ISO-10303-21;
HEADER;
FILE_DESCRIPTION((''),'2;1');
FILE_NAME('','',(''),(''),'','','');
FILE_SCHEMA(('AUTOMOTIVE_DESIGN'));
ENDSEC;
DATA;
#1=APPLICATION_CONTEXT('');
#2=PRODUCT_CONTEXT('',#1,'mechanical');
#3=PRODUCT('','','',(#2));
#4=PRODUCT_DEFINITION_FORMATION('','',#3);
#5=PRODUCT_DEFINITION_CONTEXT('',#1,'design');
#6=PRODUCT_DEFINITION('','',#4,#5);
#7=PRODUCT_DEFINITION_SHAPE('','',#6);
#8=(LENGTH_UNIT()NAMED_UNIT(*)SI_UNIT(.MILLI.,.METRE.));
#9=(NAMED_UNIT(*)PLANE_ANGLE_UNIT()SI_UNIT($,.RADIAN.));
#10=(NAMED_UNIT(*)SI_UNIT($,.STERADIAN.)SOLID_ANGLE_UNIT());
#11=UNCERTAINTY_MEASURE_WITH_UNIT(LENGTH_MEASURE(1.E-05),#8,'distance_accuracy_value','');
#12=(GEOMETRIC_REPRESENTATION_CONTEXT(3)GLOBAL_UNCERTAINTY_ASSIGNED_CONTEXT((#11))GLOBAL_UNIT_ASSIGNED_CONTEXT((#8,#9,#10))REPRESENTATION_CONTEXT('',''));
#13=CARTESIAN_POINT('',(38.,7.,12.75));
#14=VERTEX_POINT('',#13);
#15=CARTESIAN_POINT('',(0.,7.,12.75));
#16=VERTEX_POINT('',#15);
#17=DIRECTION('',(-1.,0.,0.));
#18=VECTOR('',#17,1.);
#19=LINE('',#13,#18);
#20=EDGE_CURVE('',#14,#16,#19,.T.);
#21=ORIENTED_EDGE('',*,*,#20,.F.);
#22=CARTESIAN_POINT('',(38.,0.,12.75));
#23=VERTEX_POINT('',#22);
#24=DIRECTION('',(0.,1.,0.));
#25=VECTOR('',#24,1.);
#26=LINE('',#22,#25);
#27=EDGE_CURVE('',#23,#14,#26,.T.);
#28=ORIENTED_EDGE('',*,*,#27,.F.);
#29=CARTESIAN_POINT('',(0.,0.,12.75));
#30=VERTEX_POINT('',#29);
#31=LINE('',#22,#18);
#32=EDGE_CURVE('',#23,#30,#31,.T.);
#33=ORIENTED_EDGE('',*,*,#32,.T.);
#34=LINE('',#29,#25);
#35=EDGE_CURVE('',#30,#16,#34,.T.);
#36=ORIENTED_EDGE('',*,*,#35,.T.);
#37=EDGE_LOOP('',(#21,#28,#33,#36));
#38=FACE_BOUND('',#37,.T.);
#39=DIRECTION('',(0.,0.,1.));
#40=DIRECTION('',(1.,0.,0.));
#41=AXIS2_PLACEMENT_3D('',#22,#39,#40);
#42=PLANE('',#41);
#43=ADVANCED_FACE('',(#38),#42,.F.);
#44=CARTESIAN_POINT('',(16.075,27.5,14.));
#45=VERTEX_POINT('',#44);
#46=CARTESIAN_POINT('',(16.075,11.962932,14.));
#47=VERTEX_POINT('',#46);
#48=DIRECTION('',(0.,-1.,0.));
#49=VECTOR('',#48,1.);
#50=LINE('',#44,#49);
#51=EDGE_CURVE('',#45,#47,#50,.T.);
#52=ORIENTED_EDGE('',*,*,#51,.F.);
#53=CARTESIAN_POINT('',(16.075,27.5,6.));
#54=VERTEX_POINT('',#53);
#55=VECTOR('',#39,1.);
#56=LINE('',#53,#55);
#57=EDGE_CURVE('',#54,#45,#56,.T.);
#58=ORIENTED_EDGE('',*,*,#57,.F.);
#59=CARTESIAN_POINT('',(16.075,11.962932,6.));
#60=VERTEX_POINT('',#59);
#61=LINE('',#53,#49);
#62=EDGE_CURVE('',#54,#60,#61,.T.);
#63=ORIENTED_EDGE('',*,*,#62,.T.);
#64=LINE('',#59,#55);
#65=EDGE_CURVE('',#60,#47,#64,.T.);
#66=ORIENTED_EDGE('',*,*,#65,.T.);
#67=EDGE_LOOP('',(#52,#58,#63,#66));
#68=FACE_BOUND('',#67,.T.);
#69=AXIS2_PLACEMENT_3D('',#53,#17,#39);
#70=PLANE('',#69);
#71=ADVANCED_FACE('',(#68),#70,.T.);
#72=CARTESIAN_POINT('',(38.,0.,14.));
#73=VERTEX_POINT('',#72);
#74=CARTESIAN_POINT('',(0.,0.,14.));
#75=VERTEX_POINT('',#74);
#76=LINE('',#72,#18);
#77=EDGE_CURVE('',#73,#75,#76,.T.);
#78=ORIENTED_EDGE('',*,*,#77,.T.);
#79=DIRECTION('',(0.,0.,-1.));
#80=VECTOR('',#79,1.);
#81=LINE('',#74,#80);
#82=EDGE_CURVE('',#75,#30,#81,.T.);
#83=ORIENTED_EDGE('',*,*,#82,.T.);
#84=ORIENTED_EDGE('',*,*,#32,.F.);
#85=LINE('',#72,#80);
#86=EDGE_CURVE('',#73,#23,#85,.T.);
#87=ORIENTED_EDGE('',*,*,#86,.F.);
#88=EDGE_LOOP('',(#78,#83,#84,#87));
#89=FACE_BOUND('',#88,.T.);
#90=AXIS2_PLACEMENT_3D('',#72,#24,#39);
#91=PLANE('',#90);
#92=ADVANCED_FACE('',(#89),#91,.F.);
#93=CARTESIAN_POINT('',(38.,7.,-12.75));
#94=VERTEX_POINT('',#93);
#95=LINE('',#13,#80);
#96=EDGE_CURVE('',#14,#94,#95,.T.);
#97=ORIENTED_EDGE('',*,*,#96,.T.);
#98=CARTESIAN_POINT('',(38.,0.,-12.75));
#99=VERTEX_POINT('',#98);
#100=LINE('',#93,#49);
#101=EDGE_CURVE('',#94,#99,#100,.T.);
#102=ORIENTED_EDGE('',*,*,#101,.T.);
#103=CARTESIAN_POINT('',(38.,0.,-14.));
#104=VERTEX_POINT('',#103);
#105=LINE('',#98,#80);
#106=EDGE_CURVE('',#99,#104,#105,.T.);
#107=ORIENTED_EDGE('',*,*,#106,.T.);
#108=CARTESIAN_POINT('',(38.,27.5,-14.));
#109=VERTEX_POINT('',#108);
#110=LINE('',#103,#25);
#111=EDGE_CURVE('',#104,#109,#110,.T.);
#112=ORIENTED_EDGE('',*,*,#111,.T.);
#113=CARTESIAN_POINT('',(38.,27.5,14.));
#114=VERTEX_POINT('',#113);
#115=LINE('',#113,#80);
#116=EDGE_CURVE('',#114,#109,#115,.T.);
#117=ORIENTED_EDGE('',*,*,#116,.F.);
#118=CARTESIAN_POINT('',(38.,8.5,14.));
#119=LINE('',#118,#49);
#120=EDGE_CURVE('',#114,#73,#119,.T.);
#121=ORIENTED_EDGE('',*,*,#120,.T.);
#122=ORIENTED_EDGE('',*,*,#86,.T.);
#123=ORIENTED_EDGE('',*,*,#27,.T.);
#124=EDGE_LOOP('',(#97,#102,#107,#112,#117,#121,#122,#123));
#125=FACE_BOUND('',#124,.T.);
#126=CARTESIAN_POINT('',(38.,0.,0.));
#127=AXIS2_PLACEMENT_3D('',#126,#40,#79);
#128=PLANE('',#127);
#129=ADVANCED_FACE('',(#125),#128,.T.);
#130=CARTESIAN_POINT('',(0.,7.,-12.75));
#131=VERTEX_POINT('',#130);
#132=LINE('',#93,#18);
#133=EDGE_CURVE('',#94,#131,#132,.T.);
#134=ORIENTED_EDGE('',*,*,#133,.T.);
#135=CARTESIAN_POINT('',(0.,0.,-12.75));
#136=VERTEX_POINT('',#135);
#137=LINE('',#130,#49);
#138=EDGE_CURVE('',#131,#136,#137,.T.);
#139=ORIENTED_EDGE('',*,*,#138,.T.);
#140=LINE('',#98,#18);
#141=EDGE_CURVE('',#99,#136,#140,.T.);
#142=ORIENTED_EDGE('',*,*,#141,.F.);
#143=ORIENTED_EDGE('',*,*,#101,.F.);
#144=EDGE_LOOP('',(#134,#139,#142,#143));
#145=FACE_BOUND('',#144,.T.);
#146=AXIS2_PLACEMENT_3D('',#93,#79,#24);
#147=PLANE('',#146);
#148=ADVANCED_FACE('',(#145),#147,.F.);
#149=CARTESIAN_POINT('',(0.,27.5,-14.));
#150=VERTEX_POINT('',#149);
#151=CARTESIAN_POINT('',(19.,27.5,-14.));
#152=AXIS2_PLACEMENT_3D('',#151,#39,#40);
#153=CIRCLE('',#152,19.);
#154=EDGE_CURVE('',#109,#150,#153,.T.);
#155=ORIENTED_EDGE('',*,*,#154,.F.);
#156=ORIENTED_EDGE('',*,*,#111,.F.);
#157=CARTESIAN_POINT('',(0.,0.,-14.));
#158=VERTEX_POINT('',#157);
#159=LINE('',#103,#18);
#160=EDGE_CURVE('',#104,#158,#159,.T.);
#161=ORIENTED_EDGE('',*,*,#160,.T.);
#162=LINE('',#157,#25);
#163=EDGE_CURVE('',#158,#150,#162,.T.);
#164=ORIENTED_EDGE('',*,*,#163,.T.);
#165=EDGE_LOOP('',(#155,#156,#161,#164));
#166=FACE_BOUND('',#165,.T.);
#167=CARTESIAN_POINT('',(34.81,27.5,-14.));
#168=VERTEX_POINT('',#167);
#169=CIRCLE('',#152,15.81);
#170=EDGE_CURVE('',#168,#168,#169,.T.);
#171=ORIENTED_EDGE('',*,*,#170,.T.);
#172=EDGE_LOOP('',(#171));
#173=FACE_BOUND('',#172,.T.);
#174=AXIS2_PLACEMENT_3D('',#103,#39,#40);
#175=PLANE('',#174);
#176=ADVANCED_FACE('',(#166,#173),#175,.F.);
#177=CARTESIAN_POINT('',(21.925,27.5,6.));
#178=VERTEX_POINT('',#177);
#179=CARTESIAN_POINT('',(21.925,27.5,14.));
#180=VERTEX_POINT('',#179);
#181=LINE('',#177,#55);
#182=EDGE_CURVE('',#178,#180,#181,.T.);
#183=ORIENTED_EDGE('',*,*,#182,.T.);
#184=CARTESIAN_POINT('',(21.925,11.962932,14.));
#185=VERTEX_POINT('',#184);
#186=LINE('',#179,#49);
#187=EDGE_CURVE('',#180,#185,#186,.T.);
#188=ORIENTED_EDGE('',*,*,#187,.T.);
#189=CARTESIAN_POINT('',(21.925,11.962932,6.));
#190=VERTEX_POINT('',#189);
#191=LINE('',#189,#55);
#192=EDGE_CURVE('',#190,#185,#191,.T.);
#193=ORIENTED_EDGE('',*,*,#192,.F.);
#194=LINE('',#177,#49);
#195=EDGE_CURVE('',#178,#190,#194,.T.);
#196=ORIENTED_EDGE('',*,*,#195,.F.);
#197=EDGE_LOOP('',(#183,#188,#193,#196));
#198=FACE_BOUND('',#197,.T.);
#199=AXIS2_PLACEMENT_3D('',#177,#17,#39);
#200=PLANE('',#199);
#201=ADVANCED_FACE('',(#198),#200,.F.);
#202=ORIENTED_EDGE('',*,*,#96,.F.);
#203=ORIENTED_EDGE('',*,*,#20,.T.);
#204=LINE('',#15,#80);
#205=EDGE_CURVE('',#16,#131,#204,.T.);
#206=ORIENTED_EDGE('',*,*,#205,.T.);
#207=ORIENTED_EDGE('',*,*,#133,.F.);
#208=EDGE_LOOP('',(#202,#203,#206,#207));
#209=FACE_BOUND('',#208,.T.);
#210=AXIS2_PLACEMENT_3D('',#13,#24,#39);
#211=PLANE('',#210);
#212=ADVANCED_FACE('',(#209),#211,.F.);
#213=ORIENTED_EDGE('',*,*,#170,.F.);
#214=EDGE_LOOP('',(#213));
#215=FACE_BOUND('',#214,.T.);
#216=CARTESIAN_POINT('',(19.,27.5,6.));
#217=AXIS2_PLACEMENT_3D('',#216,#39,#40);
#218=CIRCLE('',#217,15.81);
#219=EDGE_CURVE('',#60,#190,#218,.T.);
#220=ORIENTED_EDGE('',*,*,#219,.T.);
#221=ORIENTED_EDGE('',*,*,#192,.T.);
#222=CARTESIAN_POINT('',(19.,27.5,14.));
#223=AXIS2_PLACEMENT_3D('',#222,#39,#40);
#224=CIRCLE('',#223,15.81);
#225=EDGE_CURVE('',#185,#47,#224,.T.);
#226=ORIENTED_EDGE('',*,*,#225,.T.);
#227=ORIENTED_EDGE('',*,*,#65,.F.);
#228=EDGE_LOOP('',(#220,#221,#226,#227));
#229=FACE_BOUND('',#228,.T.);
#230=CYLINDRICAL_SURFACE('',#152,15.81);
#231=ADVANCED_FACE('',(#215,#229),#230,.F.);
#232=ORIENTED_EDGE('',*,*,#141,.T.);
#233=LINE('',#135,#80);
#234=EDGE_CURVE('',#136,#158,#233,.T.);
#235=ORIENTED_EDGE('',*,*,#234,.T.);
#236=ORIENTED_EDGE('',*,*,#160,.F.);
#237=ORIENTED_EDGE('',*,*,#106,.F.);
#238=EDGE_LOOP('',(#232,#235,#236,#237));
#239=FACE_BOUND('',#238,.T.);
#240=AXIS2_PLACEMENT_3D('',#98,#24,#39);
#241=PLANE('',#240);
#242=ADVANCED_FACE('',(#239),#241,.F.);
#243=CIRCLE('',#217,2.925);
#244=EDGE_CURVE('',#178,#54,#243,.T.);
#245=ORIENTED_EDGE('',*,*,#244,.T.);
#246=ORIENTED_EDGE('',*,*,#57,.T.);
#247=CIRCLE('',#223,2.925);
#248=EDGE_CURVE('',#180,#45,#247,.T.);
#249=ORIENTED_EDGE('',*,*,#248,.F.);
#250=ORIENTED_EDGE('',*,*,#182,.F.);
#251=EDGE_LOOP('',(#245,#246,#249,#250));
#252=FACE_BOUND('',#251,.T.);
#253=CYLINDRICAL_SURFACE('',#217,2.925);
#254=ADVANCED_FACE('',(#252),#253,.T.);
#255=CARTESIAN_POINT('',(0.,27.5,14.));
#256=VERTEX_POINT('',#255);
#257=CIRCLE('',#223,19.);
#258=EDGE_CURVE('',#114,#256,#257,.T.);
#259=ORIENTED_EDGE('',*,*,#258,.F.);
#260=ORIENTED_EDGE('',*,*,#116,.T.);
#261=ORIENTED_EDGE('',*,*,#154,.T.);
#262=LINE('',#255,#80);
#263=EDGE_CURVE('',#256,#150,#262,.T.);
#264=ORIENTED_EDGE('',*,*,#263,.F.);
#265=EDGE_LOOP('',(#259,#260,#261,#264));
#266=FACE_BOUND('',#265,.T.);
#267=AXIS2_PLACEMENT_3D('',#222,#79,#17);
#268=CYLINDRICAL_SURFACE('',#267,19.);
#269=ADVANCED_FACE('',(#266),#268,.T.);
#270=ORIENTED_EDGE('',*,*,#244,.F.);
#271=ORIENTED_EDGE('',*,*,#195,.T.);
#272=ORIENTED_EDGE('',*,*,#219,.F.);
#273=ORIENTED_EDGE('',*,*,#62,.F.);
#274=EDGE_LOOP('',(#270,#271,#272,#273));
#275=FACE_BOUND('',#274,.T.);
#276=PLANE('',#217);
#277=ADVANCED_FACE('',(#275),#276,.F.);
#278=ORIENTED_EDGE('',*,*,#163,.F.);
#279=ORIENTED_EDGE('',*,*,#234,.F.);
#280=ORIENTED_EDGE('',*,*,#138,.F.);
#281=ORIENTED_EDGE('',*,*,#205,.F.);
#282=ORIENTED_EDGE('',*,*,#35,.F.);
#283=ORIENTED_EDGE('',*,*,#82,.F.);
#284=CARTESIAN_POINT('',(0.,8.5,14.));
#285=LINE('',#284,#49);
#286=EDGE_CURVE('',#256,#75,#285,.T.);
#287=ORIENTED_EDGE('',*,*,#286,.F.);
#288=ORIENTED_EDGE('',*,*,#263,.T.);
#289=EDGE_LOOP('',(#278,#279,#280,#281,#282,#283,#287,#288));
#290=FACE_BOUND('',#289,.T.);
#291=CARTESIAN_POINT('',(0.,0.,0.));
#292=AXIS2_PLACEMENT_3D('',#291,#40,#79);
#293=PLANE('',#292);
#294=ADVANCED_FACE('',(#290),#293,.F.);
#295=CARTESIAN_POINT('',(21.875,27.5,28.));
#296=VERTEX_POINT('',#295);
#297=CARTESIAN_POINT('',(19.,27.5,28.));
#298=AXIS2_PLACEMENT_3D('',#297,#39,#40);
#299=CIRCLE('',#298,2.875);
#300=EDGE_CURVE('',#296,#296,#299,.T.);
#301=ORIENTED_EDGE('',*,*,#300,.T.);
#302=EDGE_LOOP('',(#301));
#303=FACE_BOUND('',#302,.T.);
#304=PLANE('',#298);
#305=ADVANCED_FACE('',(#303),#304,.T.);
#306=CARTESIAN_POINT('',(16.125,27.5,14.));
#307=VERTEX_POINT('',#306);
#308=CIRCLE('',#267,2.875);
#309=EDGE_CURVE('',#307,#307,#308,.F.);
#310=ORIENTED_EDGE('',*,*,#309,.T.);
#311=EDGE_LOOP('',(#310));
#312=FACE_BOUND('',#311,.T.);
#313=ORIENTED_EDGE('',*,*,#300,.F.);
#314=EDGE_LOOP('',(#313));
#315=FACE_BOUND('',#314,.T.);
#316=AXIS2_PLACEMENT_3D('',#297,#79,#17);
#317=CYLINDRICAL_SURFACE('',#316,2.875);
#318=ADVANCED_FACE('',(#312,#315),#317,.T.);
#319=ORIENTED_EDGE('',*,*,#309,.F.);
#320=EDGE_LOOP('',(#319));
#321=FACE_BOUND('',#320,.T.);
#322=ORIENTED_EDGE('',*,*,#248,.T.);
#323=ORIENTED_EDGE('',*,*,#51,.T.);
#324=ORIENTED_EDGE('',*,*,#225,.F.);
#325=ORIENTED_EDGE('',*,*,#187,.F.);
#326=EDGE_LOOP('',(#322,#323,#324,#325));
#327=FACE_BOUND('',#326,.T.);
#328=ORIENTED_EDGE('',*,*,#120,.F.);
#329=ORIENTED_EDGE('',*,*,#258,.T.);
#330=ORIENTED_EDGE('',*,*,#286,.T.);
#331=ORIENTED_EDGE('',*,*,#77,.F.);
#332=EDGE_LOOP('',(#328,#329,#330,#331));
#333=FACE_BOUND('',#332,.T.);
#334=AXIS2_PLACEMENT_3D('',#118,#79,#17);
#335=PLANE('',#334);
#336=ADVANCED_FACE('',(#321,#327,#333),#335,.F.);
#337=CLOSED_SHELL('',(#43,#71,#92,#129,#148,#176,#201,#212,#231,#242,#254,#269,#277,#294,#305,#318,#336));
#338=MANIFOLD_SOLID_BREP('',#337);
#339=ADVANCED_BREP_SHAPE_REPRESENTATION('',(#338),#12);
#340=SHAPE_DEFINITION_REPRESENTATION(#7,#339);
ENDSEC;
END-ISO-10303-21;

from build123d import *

# Parameters (mm, degrees)
BOSS_EXTRUDE1_DEPTH = 38
BOSS_EXTRUDE2_DEPTH = 14
SKETCH3_R           = 15.81
CUT_EXTRUDE1_DEPTH  = 67.258961658
BOSS_EXTRUDE3_DEPTH = 8
SKETCH5_R           = 2.875
BOSS_EXTRUDE4_DEPTH = 14


with BuildPart() as part:
    # Sketch1 → Boss-Extrude1 (new body)
    with BuildSketch(Plane(origin=(0, 0, 0), x_dir=(0, 0, -1), z_dir=(1, 0, 0))):
        Polygon((-12.75, 0), (-12.75, 7), (12.75, 7), (12.75, 0), (14, 0), (14, 8.5), (-14, 8.5), (-14, 0), align=None)
    extrude(amount=BOSS_EXTRUDE1_DEPTH)

    # Sketch2 → Boss-Extrude2 (add, symmetric)
    with BuildSketch(Plane.XY):
        with BuildLine():
            Line((0, 27.5), (0, 8.5))
            Line((0, 8.5), (38, 8.5))
            Line((38, 8.5), (38, 27.5))
            ThreePointArc((38, 27.5), (19, 46.5), (0, 27.5))
        make_face()
    extrude(amount=BOSS_EXTRUDE2_DEPTH, both=True)

    # Sketch3 → Cut-Extrude1 (cut, through all)
    with BuildSketch(Plane.XY.offset(14)):
        with Locations((19, 27.5)):
            Circle(SKETCH3_R)
    extrude(amount=-CUT_EXTRUDE1_DEPTH, mode=Mode.SUBTRACT)

    # Sketch4 → Boss-Extrude3 (add)
    with BuildSketch(Plane.XY.offset(14)):
        with BuildLine():
            Line((21.925, 27.5), (21.925, 11.962932226))
            ThreePointArc((21.925, 11.962932226), (19, 11.69), (16.075, 11.962932226))
            Line((16.075, 11.962932226), (16.075, 27.5))
            ThreePointArc((16.075, 27.5), (19, 30.425), (21.925, 27.5))
        make_face()
    extrude(amount=-BOSS_EXTRUDE3_DEPTH)

    # Sketch5 → Boss-Extrude4 (add)
    with BuildSketch(Plane.XY.offset(14)):
        with Locations(Location((19, 27.5, 0), (0, 0, 180))):
            Circle(SKETCH5_R)
    extrude(amount=BOSS_EXTRUDE4_DEPTH)


solid = part.part
